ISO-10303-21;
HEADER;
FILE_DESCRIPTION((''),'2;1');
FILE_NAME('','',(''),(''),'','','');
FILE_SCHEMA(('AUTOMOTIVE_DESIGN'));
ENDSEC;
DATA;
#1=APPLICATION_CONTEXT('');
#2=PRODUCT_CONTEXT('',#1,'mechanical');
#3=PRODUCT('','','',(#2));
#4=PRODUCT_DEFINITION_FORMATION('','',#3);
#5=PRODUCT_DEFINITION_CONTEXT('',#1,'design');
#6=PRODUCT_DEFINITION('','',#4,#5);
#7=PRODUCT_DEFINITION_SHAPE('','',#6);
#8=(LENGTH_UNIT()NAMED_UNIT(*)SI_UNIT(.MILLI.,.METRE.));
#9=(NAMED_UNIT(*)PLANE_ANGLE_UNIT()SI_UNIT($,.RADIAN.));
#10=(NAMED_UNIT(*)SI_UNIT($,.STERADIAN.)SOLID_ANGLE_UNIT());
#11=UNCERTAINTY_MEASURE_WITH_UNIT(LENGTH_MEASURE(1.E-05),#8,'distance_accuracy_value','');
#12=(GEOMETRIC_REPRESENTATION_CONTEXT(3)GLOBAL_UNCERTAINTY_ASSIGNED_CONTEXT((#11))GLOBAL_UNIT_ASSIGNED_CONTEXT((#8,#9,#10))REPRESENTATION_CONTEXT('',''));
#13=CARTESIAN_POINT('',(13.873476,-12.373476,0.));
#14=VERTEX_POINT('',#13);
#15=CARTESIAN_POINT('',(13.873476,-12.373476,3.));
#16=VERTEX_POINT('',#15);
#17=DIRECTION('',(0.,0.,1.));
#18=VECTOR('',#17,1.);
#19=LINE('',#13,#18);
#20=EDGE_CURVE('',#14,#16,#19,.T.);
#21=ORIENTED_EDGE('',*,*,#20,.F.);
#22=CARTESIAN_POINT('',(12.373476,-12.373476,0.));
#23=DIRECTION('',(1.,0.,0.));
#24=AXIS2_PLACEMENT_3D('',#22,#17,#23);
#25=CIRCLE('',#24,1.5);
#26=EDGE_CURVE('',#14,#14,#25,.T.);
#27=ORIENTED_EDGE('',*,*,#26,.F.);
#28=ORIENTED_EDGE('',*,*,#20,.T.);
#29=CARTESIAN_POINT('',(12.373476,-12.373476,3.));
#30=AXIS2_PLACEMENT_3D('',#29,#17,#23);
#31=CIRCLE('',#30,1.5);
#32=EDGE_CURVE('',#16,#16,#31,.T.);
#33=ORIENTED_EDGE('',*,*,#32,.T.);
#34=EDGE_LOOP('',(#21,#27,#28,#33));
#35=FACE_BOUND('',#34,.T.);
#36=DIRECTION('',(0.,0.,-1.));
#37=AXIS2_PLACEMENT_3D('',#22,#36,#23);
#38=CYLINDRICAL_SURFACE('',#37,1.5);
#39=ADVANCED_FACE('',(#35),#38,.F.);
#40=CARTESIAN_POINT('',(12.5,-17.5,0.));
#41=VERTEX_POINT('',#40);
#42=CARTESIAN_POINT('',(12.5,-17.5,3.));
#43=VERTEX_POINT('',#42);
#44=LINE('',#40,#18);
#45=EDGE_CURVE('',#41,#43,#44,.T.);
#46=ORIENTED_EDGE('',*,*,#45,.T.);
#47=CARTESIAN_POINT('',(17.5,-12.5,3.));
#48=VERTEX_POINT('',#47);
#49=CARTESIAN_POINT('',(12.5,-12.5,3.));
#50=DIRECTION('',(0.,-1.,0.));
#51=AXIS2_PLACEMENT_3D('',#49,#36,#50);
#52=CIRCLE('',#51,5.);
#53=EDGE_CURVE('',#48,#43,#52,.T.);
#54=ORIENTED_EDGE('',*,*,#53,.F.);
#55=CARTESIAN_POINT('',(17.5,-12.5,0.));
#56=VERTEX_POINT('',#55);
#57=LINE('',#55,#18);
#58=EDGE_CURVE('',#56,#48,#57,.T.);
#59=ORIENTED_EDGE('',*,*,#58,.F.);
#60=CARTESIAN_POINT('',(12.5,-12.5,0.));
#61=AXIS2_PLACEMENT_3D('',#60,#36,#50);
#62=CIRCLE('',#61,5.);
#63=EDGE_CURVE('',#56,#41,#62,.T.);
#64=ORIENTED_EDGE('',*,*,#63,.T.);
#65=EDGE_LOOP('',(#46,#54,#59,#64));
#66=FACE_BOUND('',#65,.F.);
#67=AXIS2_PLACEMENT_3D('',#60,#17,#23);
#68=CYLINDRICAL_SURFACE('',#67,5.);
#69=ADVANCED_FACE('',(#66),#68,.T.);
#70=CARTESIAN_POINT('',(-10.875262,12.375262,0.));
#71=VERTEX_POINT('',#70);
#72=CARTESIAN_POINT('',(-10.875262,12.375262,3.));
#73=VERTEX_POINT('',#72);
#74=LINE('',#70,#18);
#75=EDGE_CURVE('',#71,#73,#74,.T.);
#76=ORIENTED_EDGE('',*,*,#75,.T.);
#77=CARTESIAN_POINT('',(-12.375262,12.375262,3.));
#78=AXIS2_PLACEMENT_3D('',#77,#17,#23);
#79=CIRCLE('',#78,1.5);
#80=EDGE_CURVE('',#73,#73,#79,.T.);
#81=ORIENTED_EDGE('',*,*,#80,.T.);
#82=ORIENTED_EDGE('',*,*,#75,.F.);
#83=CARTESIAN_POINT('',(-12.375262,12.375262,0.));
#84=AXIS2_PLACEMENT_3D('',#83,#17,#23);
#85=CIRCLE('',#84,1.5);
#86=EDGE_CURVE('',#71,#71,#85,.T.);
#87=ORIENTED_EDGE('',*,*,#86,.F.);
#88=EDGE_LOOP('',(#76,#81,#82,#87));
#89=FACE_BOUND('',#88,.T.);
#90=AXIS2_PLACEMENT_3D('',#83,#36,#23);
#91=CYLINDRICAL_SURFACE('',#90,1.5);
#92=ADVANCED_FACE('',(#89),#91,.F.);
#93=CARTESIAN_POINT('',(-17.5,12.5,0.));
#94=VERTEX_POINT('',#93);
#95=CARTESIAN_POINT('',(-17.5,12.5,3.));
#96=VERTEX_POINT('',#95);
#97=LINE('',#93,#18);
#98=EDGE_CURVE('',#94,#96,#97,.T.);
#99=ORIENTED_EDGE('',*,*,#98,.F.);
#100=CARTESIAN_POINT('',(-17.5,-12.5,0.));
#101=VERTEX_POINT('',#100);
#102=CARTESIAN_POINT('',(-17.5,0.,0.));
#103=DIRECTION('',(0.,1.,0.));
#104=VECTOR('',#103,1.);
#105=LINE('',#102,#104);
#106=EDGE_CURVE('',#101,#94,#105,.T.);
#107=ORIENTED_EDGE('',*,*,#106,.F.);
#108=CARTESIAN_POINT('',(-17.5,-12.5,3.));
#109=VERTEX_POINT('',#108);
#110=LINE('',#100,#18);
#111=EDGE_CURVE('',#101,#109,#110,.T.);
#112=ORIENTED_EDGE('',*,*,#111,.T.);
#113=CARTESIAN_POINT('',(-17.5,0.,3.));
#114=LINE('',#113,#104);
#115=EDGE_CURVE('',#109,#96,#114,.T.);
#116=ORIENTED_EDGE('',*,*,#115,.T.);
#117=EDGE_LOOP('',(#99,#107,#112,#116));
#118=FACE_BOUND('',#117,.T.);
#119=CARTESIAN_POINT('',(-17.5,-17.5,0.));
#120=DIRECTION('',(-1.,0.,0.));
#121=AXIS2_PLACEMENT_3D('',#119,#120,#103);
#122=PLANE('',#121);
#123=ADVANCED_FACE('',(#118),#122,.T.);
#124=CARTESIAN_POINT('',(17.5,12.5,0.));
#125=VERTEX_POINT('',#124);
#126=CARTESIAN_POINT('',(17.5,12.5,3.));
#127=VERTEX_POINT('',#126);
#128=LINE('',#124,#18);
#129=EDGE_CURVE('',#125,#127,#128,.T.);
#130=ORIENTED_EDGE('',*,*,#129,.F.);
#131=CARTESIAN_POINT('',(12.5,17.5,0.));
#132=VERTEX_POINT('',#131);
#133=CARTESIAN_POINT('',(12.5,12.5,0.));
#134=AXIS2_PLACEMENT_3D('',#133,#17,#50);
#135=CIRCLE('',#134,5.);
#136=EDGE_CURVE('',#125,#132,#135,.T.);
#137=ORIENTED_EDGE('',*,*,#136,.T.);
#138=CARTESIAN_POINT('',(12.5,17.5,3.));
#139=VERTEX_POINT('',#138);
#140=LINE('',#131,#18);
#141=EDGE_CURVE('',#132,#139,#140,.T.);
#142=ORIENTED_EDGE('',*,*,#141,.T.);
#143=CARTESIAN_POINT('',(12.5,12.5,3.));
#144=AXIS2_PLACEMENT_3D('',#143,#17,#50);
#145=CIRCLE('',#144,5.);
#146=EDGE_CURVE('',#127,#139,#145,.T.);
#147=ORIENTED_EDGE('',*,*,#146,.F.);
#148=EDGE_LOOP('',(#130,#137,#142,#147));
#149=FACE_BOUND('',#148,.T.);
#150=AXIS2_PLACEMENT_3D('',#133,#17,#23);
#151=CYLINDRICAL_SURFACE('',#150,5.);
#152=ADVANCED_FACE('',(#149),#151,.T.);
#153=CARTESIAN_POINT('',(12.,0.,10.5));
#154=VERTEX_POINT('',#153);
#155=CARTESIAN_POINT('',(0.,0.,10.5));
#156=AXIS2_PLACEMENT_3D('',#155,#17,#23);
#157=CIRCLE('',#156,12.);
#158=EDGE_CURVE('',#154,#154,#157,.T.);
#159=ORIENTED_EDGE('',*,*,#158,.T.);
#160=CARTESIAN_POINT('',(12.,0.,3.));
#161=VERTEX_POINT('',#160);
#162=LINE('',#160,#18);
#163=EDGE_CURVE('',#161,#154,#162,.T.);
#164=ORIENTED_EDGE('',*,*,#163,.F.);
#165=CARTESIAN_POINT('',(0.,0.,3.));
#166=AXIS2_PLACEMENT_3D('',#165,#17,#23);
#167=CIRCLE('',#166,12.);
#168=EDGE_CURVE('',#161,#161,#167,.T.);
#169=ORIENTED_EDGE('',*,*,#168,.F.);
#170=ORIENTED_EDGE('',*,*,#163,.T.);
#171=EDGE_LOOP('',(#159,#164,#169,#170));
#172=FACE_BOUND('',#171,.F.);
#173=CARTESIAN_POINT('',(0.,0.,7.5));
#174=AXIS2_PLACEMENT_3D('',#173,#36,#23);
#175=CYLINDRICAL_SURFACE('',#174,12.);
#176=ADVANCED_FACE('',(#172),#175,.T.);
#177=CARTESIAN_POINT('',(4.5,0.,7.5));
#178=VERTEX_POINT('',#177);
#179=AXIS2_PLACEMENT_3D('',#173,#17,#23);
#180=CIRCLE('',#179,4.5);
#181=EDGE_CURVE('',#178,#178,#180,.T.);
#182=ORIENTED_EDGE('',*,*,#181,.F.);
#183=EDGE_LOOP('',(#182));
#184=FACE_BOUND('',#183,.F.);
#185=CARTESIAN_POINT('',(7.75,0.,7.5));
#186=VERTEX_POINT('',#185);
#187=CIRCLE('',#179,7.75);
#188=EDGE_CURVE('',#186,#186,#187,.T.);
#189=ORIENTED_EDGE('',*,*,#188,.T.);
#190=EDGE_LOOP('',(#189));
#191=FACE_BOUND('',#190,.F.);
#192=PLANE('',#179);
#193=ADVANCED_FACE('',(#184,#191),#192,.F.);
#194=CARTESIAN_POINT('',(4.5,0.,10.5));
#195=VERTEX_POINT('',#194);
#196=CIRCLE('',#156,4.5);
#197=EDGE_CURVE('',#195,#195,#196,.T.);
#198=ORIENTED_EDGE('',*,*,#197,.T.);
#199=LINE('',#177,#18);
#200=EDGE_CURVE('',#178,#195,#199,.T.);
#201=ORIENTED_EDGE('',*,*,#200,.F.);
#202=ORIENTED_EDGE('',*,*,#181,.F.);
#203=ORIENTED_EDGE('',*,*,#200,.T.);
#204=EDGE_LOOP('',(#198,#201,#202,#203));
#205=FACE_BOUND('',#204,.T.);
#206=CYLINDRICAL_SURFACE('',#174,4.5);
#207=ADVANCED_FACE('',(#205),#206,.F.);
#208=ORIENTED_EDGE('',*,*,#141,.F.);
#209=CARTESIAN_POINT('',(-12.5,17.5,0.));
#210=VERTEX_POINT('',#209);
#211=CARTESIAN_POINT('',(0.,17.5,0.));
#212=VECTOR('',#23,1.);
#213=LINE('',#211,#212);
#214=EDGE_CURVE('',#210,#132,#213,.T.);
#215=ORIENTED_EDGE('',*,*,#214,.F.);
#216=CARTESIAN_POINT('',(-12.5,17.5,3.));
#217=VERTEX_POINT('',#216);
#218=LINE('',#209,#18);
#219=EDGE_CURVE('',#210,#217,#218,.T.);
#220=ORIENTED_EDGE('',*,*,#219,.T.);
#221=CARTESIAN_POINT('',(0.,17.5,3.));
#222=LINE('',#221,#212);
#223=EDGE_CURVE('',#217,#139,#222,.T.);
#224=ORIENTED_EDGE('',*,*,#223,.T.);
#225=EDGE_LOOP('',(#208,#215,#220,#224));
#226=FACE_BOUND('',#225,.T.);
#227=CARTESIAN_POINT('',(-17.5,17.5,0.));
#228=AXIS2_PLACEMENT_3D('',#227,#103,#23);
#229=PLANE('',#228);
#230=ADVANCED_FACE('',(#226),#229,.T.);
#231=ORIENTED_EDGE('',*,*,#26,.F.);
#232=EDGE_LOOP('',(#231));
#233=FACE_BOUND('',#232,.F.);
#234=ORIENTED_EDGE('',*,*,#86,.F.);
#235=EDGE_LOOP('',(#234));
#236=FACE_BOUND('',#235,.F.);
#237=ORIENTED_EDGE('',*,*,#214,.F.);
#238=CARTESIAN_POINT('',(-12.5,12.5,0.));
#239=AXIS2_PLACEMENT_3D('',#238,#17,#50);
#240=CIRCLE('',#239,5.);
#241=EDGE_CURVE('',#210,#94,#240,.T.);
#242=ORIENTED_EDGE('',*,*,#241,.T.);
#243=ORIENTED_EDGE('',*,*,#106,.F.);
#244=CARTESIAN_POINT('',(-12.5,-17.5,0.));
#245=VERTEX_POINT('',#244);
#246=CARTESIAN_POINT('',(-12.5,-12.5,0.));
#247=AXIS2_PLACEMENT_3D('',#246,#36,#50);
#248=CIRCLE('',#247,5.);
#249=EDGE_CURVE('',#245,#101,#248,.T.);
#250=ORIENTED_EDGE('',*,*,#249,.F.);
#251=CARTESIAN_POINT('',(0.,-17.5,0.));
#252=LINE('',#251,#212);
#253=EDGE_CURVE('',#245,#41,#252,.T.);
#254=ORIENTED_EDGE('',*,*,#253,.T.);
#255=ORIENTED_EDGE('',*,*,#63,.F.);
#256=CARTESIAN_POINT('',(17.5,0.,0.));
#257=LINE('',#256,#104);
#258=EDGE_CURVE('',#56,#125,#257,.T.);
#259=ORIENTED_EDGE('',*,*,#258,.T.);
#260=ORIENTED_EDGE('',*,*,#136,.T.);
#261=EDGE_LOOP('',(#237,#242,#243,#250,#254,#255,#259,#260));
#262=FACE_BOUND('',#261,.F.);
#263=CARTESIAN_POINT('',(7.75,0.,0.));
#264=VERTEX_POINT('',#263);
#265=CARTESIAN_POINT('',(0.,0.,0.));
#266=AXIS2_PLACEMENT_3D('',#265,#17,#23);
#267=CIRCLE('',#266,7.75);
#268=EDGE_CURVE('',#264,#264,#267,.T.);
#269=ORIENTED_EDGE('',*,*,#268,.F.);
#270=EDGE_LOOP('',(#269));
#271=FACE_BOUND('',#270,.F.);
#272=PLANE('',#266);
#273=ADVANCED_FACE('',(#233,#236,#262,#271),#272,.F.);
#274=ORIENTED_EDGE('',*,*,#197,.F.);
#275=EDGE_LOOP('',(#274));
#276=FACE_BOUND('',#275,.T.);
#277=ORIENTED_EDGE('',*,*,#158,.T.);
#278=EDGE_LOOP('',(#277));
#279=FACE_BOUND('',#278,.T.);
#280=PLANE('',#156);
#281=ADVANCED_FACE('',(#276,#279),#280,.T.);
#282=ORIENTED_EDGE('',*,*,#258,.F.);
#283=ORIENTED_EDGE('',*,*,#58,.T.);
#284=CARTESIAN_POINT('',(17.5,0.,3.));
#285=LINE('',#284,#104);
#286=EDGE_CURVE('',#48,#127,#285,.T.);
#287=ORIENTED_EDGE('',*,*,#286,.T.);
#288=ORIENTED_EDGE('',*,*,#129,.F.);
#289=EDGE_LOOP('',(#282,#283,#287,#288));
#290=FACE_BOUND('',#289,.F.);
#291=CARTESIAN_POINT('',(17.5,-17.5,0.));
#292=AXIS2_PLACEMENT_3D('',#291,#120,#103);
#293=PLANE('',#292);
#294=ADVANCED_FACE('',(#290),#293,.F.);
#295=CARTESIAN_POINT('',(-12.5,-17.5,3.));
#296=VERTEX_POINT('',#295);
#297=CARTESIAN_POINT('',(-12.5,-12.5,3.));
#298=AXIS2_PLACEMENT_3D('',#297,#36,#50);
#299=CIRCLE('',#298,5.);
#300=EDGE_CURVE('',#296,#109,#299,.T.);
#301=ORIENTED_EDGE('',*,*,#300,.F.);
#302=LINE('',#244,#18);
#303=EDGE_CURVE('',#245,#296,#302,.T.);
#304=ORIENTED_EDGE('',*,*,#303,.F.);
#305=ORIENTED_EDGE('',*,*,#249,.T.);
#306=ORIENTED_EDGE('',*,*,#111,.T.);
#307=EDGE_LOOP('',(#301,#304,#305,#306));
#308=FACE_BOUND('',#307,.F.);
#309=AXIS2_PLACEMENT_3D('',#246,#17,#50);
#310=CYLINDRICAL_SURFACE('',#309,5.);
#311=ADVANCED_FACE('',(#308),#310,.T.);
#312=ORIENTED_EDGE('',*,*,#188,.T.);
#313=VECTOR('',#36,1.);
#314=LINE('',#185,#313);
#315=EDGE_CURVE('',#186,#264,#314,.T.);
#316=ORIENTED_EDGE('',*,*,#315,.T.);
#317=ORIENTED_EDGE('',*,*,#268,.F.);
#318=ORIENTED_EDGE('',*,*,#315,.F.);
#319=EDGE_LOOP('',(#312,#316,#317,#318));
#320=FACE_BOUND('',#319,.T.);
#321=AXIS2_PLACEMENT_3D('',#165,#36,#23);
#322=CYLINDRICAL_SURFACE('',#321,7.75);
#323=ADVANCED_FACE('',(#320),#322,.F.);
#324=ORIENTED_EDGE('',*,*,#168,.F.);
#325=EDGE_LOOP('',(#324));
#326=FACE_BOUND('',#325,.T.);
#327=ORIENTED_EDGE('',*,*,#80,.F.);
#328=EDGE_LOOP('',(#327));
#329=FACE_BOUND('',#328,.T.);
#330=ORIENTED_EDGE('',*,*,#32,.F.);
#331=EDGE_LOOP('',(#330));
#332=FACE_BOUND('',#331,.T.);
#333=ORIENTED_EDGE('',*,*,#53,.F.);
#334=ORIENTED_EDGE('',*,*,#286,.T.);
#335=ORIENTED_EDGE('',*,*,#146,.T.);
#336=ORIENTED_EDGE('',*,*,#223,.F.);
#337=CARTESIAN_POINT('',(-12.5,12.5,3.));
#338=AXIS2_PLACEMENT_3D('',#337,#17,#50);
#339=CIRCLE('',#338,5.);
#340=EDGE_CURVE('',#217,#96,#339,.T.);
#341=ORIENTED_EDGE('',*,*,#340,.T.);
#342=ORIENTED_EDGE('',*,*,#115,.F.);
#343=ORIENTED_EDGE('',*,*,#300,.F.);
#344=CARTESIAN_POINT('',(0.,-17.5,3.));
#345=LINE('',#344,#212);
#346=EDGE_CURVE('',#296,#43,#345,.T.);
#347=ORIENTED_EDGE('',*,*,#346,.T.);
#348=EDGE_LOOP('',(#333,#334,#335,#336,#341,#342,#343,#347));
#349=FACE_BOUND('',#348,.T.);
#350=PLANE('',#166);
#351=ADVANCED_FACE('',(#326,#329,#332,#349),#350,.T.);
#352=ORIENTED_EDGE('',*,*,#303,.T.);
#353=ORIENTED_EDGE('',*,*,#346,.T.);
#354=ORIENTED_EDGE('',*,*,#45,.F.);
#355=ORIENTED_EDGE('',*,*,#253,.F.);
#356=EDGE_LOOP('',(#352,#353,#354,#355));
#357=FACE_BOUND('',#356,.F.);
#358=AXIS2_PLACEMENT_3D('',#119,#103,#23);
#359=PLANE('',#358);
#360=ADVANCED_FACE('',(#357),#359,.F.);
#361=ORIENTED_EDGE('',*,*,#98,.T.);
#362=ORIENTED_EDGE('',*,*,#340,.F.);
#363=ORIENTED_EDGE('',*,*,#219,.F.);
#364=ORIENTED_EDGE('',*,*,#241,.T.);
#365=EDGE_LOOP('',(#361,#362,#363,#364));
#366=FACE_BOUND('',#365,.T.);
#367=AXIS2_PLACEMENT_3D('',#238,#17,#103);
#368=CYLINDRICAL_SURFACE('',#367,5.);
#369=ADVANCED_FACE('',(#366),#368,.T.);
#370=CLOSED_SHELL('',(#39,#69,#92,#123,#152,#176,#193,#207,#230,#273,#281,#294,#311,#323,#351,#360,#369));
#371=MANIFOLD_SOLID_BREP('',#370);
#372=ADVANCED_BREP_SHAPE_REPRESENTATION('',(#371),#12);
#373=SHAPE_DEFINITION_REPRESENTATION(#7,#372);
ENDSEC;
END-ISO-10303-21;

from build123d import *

# Parameters (mm, degrees)
SKETCH_W      = 35
SKETCH_H      = 35
SKETCH_R      = 7.75
SKETCH_R_2    = 1.5
PAD_DEPTH     = 3
SKETCH001_R   = 12
SKETCH001_R_2 = 7.75
PAD001_DEPTH  = 4.5
SKETCH002_R   = 12
SKETCH002_R_2 = 4.5
PAD002_DEPTH  = 3
FILLET_R      = 5


with BuildPart() as part:
    # Sketch → Pad (new body)
    with BuildSketch(Plane.XY):
        Rectangle(SKETCH_W, SKETCH_H)
        Circle(SKETCH_R, mode=Mode.SUBTRACT)
        with Locations((-12.375262, 12.375262)):
            Circle(SKETCH_R_2, mode=Mode.SUBTRACT)
        with Locations((12.373476, -12.373476)):
            Circle(SKETCH_R_2, mode=Mode.SUBTRACT)
    extrude(amount=PAD_DEPTH)

    # Sketch001 (on Face9 of Pad) → Pad001 (join)
    with BuildSketch(Plane.XY.offset(3)):
        Circle(SKETCH001_R)
        Circle(SKETCH001_R_2, mode=Mode.SUBTRACT)
    extrude(amount=PAD001_DEPTH)

    # Sketch002 (on Face10 of Pad001) → Pad002 (join)
    with BuildSketch(Plane.XY.offset(7.5)):
        Circle(SKETCH002_R)
        Circle(SKETCH002_R_2, mode=Mode.SUBTRACT)
    extrude(amount=PAD002_DEPTH)

    # Fillet
    fillet_edges = [part.edges().sort_by_distance(p)[0] for p in [
        (17.5, -17.5, 1.5),
        (17.5, 17.5, 1.5),
        (-17.5, -17.5, 1.5),
        (-17.5, 17.5, 1.5),
    ]]
    fillet(fillet_edges, radius=FILLET_R)


solid = part.part
